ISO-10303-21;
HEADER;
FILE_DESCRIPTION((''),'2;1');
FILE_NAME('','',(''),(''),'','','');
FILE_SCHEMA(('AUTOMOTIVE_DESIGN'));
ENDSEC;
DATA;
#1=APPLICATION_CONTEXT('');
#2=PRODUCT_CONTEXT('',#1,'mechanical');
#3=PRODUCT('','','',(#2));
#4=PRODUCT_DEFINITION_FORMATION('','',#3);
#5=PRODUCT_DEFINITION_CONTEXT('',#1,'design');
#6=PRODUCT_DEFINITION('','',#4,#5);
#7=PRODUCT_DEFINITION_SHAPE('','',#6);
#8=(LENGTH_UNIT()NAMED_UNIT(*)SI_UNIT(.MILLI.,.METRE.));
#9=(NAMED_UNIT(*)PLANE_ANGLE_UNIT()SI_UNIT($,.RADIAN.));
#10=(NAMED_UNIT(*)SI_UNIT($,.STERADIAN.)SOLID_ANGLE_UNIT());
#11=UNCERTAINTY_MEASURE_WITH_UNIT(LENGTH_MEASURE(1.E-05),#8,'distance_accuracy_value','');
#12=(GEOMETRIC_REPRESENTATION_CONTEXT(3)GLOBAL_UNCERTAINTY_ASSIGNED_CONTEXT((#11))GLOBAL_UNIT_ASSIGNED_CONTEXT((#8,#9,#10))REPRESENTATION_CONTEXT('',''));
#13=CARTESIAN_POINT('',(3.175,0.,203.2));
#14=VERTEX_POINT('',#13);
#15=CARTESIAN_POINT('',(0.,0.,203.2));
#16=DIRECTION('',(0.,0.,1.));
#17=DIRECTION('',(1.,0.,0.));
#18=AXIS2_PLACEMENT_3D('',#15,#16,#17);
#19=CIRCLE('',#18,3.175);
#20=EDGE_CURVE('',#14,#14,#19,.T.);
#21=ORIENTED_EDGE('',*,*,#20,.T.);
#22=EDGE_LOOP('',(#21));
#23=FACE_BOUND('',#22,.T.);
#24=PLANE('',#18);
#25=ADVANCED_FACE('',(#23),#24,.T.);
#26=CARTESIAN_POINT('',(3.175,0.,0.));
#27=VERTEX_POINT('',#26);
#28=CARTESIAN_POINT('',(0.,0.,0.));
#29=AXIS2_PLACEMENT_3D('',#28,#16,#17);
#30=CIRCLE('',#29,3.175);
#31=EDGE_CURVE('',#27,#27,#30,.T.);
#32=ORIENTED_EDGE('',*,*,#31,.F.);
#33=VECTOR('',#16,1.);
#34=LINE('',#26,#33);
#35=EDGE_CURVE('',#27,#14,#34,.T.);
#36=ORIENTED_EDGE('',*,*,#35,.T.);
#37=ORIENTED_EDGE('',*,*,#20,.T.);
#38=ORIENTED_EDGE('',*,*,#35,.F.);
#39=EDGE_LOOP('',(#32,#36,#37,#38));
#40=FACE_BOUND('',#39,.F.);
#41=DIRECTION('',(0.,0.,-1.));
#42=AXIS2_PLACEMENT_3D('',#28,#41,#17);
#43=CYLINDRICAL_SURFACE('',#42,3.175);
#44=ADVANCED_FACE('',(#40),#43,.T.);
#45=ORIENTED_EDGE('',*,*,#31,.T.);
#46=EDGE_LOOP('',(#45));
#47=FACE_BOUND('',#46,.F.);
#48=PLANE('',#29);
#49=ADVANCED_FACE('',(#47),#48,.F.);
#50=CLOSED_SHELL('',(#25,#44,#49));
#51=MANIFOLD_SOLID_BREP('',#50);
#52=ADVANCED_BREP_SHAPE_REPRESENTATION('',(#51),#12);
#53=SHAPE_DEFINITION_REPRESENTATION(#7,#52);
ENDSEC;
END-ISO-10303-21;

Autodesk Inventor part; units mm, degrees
ref_plane "YZ Plane" through (0, 0, 0) normal (1, 0, 0) x (0, 1, 0)
ref_plane "XZ Plane" through (0, 0, 0) normal (0, 1, 0) x (-1, 0, 0)
ref_plane "XY Plane" through (0, 0, 0) normal (0, 0, 1) x (1, 0, 0)
sketch "Sketch1" plane through (0, 0, 0) normal (0, 0, 1) x (1, 0, 0)
  circle A0 centre (0, 0) radius 3.175
  dimension "d0" = 6.35
extrude "Extrusion1" add sketch "Sketch1" along normal blind 203.2
thread "Thread1" size "3/8-16 UNC" class "2A" standard "ANSI Unified Screw Threads" length 15.24 offset 187.96
properties part number "RobotArm CylinderExtension"
